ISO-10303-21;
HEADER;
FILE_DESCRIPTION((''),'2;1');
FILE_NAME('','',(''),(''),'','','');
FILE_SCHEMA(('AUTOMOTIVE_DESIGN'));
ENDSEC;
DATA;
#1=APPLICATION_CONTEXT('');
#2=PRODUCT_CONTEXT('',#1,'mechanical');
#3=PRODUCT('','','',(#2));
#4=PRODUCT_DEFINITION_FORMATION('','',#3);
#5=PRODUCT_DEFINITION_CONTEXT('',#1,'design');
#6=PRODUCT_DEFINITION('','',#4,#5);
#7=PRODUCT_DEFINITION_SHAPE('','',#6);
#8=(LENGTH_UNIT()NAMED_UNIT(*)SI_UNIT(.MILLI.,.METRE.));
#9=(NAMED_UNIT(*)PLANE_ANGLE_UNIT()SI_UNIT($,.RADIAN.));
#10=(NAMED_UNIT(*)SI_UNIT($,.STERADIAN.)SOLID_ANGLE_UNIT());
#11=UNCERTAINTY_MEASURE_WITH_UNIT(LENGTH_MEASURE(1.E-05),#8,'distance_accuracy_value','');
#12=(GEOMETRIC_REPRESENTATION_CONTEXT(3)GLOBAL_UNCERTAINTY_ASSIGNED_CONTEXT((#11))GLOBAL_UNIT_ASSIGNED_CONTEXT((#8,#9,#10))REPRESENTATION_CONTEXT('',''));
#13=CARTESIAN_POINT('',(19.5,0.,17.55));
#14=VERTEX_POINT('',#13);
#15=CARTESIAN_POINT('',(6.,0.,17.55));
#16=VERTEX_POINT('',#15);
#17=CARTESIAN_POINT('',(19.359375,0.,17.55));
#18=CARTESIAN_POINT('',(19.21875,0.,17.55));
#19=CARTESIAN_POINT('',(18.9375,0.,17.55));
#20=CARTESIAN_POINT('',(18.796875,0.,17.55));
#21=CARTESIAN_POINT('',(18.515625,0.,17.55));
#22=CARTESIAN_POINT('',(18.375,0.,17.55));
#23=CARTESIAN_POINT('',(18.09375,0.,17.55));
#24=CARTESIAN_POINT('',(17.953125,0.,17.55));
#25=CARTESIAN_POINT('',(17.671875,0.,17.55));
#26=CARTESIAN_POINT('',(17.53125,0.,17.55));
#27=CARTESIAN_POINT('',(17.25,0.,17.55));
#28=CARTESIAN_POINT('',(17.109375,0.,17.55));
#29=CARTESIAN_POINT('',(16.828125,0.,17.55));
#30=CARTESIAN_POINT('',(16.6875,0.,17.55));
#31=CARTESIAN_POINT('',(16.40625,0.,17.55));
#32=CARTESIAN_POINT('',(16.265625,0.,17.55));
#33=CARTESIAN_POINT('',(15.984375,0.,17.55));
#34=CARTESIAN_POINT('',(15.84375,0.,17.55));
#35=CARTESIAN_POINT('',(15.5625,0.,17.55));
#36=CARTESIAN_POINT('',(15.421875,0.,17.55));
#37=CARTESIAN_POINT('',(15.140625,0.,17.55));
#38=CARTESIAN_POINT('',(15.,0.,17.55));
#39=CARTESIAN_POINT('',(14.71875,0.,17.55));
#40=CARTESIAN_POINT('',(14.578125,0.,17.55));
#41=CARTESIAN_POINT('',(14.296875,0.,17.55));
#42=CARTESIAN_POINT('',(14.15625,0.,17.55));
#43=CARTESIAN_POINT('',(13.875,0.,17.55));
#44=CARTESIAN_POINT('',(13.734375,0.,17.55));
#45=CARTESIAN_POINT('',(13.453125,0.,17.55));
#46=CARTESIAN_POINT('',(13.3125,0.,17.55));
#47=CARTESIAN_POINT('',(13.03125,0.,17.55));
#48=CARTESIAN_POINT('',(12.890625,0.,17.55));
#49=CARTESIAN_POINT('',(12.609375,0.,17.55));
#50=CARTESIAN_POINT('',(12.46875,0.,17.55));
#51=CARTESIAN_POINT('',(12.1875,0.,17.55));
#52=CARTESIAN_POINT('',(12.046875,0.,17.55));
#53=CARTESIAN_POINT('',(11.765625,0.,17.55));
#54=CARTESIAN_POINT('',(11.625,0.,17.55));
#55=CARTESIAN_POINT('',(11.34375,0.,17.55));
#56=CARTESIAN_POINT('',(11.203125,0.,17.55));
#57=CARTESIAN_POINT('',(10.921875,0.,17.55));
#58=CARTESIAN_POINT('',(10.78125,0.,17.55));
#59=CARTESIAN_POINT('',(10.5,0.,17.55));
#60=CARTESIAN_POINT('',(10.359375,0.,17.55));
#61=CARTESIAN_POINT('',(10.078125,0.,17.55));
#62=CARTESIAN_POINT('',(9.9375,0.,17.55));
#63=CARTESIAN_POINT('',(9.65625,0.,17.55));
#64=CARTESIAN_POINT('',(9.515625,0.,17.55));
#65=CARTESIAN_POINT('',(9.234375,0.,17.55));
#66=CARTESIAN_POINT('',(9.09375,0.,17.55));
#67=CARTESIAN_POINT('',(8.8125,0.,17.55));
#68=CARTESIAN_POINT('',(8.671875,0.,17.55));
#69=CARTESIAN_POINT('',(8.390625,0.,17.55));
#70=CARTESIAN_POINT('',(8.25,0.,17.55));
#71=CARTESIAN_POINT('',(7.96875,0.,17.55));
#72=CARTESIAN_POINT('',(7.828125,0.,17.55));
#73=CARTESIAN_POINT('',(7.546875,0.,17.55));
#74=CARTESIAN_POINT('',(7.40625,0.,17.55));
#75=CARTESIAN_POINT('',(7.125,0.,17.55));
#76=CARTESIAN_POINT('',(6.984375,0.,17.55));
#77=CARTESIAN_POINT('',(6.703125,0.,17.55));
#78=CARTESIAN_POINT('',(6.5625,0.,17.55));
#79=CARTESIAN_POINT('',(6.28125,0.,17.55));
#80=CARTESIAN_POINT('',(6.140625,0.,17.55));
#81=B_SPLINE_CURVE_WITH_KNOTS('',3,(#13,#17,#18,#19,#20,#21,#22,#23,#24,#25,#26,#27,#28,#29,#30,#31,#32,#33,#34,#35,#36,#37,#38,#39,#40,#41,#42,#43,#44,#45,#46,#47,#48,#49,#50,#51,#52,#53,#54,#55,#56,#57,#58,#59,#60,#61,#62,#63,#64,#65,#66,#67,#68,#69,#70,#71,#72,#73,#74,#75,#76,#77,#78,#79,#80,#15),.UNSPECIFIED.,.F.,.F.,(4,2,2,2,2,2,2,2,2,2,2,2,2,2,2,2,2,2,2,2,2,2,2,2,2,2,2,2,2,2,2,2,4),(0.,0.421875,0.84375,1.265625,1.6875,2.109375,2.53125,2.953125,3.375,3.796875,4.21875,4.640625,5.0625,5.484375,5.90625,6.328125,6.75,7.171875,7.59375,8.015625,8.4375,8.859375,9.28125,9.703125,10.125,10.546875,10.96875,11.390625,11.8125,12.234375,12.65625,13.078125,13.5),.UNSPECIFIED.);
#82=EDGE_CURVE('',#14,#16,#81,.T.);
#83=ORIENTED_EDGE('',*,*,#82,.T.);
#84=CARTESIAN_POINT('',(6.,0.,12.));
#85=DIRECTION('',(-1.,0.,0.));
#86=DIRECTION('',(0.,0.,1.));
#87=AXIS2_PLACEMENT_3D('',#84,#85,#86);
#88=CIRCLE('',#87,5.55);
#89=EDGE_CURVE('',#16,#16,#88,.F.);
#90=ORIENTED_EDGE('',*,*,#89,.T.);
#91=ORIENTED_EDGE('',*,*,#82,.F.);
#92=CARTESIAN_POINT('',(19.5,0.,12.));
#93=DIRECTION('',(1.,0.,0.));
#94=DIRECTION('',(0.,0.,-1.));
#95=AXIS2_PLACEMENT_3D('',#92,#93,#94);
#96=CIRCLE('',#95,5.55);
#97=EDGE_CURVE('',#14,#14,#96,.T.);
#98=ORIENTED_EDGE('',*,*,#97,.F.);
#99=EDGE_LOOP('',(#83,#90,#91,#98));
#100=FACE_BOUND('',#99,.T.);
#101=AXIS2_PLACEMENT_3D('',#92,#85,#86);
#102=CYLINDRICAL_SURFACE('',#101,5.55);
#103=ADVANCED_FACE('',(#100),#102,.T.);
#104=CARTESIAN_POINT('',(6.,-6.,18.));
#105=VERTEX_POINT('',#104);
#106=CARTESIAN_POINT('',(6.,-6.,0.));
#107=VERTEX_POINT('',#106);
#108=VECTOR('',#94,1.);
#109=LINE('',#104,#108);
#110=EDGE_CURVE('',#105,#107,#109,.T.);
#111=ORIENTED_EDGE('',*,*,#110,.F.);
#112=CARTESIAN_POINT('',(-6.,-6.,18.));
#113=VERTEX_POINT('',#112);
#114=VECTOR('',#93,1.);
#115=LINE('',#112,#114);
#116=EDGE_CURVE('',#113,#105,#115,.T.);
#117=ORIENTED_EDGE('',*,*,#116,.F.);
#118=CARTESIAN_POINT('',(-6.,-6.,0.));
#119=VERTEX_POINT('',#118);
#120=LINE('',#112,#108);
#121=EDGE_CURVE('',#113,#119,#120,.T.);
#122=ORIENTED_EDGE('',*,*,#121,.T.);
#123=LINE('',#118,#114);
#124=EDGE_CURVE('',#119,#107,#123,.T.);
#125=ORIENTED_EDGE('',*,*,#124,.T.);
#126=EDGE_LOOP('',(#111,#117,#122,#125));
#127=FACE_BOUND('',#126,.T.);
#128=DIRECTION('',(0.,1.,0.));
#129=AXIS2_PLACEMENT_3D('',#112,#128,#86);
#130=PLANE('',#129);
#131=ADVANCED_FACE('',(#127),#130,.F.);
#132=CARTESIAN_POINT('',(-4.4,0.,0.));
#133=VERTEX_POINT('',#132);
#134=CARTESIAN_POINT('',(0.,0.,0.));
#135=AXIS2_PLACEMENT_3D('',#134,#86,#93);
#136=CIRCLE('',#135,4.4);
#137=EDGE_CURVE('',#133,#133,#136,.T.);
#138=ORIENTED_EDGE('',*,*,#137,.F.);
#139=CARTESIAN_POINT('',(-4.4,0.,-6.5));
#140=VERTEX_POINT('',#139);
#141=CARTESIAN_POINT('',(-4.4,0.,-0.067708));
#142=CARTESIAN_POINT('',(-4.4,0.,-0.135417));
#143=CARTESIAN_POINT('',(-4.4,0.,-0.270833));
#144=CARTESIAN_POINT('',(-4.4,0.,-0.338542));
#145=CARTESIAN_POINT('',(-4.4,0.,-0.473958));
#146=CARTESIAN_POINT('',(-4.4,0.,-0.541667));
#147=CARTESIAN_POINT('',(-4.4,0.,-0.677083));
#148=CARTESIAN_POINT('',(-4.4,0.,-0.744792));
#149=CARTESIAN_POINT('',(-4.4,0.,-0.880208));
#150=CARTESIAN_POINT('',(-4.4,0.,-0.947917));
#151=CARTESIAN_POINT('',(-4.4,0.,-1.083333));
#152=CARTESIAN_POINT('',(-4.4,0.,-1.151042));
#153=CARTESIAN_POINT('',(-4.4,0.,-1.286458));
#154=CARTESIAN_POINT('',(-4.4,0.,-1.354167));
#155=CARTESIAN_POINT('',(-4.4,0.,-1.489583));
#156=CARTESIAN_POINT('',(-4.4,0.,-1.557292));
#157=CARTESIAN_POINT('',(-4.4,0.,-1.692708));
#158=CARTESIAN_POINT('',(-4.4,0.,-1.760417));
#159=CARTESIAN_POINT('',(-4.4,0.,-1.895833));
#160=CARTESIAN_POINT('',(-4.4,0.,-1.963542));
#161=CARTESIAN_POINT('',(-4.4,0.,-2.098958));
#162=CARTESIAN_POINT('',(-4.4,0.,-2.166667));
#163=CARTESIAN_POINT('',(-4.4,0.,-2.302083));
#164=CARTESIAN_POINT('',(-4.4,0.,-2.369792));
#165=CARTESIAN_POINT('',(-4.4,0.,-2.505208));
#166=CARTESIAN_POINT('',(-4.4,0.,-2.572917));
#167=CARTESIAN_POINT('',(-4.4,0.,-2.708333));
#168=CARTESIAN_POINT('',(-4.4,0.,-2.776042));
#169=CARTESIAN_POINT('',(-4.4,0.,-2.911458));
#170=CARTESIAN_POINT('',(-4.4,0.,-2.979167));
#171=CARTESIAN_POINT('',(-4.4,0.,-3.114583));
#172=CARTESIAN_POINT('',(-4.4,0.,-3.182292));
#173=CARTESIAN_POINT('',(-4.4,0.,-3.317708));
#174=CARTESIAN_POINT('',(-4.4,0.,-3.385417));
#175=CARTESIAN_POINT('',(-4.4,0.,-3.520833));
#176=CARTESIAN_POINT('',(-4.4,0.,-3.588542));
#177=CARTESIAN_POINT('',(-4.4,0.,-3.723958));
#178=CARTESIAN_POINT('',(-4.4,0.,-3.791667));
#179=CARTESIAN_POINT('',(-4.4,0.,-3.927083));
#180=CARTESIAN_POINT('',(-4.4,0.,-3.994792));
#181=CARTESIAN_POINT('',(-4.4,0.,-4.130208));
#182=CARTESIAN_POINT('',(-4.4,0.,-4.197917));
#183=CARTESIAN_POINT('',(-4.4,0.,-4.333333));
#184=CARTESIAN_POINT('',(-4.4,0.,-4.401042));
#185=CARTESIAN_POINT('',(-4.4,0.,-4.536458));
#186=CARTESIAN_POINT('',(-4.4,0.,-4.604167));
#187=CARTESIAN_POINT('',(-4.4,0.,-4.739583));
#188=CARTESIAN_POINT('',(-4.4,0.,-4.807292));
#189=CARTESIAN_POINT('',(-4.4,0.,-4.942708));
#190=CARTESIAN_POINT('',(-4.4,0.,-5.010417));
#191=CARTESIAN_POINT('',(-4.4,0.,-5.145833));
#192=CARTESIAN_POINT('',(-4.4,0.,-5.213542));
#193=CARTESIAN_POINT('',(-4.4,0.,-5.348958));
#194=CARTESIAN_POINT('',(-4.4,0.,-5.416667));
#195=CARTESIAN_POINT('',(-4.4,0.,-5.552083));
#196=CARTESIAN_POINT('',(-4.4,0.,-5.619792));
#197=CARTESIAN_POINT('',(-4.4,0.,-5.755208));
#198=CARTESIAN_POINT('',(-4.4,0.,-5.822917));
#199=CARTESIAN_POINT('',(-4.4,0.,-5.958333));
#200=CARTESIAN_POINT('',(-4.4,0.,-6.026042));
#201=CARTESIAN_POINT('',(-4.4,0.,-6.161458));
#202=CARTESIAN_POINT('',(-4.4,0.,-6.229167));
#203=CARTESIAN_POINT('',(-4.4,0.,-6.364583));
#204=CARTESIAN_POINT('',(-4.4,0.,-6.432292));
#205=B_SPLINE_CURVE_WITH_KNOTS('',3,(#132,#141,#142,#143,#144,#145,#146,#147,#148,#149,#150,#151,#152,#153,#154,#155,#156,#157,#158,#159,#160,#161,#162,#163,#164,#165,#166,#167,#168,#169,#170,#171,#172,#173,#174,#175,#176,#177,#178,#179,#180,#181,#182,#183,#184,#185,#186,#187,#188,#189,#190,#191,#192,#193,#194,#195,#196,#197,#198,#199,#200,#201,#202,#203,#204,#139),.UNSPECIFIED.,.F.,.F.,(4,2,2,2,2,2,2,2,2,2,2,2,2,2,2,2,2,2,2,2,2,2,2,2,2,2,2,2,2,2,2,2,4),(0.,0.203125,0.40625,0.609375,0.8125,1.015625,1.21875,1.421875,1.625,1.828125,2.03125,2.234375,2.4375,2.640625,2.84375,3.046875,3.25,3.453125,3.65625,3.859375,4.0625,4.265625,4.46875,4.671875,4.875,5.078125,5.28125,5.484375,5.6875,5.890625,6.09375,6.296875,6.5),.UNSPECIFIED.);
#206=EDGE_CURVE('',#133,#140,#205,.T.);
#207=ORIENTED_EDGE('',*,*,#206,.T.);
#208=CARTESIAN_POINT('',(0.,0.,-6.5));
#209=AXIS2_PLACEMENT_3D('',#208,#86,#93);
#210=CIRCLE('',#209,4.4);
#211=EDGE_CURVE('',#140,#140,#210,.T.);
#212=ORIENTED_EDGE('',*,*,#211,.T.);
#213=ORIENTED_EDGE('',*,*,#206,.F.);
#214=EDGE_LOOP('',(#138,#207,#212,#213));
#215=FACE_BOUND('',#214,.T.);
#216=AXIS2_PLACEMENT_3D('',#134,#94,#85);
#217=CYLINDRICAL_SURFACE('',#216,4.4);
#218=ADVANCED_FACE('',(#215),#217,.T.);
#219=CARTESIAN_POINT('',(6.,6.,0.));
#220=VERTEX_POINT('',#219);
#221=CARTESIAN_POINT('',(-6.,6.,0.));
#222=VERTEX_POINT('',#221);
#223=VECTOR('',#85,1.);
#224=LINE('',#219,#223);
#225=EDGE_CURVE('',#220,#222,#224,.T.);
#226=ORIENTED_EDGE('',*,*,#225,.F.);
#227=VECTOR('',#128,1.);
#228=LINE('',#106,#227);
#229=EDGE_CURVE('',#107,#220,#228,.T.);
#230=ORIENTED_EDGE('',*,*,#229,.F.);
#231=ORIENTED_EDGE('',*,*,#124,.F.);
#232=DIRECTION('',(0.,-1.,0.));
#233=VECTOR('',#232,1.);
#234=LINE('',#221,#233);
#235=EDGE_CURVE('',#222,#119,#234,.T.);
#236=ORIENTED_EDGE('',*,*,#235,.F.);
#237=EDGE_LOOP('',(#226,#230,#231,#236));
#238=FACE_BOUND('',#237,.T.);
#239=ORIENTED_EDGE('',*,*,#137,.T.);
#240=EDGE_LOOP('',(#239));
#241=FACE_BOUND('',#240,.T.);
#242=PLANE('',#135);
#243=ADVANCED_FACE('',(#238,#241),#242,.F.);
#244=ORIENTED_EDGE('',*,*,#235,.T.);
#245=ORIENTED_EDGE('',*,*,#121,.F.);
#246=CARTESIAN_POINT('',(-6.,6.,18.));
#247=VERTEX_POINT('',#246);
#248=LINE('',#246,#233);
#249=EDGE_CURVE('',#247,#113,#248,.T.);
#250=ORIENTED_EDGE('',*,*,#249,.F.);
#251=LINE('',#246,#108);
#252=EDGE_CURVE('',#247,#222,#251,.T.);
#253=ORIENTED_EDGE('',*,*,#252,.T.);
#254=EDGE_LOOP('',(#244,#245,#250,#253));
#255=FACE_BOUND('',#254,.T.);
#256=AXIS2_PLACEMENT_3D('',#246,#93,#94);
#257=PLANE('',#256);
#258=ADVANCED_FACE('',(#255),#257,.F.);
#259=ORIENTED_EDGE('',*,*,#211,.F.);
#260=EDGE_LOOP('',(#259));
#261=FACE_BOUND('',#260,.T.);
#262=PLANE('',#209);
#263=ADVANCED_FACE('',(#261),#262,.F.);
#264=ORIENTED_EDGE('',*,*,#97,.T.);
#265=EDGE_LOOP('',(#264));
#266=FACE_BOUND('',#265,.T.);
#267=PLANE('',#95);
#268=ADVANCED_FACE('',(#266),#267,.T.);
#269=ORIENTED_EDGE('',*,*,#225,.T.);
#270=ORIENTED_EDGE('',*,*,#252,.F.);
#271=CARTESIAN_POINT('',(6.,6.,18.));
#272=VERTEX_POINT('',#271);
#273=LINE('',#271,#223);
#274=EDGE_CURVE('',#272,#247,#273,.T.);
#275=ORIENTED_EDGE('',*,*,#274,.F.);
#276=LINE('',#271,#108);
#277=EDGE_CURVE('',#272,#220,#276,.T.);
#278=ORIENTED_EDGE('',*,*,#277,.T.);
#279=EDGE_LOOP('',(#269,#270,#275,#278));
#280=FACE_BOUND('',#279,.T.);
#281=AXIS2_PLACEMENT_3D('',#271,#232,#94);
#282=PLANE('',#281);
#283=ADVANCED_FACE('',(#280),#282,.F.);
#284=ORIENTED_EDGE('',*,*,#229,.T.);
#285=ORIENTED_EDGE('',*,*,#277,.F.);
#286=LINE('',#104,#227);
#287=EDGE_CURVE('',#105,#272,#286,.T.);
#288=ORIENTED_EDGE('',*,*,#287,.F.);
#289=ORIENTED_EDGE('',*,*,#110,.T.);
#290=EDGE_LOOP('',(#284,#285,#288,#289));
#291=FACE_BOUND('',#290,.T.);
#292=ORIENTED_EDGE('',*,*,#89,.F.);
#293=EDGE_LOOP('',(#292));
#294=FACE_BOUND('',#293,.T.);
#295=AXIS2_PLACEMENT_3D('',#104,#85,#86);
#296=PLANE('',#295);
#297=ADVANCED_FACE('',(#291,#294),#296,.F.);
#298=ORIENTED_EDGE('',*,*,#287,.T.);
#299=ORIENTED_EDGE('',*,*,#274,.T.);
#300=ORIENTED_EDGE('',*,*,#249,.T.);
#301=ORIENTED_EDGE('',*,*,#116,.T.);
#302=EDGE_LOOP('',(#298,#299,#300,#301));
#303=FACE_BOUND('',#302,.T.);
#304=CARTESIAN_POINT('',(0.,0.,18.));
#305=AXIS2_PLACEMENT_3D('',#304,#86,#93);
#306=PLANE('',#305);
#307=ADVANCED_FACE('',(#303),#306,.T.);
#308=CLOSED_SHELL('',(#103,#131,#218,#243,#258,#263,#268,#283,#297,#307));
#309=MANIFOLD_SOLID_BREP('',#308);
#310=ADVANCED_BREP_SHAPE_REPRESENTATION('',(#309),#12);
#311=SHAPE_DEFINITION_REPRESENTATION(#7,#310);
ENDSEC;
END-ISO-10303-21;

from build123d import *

# Parameters (mm, degrees)
RC_START                                     = -6.5
SKETCH1_R                                    = 4.4
RC_1_8_CONNECTION_THREAD_CORE_ENVELOPE_DEPTH = 6.5
SKETCH2_W                                    = 12
SKETCH2_H                                    = 12
ELBOW_BODY_AND_12_MM_WRENCH_FLATS_DEPTH      = 18
MALE_START                                   = 5.8
SKETCH3_R                                    = 5.55
MALE_4_JIC_OUTLET_ENVELOPE_DEPTH             = 13.7


with BuildPart() as part:
    # Sketch1 → Rc 1/8 connection, thread core envelope (new body)
    with BuildSketch(Plane.XY.offset(RC_START)):
        with Locations(Location((0, 0, 0), (0, 0, 180))):
            Circle(SKETCH1_R)
    extrude(amount=RC_1_8_CONNECTION_THREAD_CORE_ENVELOPE_DEPTH)

    # Sketch2 → Elbow body and 12 mm wrench flats (add)
    with BuildSketch(Plane.XY):
        Rectangle(SKETCH2_W, SKETCH2_H)
    extrude(amount=ELBOW_BODY_AND_12_MM_WRENCH_FLATS_DEPTH)

    # Sketch3 → Male -4 JIC outlet envelope (add)
    with BuildSketch(Plane(origin=(0, 0, 0), x_dir=(0, 0, -1), z_dir=(1, 0, 0)).offset(MALE_START)):
        with Locations(Location((-12, 0, 0), (0, 0, 180))):
            Circle(SKETCH3_R)
    extrude(amount=MALE_4_JIC_OUTLET_ENVELOPE_DEPTH)


solid = part.part
